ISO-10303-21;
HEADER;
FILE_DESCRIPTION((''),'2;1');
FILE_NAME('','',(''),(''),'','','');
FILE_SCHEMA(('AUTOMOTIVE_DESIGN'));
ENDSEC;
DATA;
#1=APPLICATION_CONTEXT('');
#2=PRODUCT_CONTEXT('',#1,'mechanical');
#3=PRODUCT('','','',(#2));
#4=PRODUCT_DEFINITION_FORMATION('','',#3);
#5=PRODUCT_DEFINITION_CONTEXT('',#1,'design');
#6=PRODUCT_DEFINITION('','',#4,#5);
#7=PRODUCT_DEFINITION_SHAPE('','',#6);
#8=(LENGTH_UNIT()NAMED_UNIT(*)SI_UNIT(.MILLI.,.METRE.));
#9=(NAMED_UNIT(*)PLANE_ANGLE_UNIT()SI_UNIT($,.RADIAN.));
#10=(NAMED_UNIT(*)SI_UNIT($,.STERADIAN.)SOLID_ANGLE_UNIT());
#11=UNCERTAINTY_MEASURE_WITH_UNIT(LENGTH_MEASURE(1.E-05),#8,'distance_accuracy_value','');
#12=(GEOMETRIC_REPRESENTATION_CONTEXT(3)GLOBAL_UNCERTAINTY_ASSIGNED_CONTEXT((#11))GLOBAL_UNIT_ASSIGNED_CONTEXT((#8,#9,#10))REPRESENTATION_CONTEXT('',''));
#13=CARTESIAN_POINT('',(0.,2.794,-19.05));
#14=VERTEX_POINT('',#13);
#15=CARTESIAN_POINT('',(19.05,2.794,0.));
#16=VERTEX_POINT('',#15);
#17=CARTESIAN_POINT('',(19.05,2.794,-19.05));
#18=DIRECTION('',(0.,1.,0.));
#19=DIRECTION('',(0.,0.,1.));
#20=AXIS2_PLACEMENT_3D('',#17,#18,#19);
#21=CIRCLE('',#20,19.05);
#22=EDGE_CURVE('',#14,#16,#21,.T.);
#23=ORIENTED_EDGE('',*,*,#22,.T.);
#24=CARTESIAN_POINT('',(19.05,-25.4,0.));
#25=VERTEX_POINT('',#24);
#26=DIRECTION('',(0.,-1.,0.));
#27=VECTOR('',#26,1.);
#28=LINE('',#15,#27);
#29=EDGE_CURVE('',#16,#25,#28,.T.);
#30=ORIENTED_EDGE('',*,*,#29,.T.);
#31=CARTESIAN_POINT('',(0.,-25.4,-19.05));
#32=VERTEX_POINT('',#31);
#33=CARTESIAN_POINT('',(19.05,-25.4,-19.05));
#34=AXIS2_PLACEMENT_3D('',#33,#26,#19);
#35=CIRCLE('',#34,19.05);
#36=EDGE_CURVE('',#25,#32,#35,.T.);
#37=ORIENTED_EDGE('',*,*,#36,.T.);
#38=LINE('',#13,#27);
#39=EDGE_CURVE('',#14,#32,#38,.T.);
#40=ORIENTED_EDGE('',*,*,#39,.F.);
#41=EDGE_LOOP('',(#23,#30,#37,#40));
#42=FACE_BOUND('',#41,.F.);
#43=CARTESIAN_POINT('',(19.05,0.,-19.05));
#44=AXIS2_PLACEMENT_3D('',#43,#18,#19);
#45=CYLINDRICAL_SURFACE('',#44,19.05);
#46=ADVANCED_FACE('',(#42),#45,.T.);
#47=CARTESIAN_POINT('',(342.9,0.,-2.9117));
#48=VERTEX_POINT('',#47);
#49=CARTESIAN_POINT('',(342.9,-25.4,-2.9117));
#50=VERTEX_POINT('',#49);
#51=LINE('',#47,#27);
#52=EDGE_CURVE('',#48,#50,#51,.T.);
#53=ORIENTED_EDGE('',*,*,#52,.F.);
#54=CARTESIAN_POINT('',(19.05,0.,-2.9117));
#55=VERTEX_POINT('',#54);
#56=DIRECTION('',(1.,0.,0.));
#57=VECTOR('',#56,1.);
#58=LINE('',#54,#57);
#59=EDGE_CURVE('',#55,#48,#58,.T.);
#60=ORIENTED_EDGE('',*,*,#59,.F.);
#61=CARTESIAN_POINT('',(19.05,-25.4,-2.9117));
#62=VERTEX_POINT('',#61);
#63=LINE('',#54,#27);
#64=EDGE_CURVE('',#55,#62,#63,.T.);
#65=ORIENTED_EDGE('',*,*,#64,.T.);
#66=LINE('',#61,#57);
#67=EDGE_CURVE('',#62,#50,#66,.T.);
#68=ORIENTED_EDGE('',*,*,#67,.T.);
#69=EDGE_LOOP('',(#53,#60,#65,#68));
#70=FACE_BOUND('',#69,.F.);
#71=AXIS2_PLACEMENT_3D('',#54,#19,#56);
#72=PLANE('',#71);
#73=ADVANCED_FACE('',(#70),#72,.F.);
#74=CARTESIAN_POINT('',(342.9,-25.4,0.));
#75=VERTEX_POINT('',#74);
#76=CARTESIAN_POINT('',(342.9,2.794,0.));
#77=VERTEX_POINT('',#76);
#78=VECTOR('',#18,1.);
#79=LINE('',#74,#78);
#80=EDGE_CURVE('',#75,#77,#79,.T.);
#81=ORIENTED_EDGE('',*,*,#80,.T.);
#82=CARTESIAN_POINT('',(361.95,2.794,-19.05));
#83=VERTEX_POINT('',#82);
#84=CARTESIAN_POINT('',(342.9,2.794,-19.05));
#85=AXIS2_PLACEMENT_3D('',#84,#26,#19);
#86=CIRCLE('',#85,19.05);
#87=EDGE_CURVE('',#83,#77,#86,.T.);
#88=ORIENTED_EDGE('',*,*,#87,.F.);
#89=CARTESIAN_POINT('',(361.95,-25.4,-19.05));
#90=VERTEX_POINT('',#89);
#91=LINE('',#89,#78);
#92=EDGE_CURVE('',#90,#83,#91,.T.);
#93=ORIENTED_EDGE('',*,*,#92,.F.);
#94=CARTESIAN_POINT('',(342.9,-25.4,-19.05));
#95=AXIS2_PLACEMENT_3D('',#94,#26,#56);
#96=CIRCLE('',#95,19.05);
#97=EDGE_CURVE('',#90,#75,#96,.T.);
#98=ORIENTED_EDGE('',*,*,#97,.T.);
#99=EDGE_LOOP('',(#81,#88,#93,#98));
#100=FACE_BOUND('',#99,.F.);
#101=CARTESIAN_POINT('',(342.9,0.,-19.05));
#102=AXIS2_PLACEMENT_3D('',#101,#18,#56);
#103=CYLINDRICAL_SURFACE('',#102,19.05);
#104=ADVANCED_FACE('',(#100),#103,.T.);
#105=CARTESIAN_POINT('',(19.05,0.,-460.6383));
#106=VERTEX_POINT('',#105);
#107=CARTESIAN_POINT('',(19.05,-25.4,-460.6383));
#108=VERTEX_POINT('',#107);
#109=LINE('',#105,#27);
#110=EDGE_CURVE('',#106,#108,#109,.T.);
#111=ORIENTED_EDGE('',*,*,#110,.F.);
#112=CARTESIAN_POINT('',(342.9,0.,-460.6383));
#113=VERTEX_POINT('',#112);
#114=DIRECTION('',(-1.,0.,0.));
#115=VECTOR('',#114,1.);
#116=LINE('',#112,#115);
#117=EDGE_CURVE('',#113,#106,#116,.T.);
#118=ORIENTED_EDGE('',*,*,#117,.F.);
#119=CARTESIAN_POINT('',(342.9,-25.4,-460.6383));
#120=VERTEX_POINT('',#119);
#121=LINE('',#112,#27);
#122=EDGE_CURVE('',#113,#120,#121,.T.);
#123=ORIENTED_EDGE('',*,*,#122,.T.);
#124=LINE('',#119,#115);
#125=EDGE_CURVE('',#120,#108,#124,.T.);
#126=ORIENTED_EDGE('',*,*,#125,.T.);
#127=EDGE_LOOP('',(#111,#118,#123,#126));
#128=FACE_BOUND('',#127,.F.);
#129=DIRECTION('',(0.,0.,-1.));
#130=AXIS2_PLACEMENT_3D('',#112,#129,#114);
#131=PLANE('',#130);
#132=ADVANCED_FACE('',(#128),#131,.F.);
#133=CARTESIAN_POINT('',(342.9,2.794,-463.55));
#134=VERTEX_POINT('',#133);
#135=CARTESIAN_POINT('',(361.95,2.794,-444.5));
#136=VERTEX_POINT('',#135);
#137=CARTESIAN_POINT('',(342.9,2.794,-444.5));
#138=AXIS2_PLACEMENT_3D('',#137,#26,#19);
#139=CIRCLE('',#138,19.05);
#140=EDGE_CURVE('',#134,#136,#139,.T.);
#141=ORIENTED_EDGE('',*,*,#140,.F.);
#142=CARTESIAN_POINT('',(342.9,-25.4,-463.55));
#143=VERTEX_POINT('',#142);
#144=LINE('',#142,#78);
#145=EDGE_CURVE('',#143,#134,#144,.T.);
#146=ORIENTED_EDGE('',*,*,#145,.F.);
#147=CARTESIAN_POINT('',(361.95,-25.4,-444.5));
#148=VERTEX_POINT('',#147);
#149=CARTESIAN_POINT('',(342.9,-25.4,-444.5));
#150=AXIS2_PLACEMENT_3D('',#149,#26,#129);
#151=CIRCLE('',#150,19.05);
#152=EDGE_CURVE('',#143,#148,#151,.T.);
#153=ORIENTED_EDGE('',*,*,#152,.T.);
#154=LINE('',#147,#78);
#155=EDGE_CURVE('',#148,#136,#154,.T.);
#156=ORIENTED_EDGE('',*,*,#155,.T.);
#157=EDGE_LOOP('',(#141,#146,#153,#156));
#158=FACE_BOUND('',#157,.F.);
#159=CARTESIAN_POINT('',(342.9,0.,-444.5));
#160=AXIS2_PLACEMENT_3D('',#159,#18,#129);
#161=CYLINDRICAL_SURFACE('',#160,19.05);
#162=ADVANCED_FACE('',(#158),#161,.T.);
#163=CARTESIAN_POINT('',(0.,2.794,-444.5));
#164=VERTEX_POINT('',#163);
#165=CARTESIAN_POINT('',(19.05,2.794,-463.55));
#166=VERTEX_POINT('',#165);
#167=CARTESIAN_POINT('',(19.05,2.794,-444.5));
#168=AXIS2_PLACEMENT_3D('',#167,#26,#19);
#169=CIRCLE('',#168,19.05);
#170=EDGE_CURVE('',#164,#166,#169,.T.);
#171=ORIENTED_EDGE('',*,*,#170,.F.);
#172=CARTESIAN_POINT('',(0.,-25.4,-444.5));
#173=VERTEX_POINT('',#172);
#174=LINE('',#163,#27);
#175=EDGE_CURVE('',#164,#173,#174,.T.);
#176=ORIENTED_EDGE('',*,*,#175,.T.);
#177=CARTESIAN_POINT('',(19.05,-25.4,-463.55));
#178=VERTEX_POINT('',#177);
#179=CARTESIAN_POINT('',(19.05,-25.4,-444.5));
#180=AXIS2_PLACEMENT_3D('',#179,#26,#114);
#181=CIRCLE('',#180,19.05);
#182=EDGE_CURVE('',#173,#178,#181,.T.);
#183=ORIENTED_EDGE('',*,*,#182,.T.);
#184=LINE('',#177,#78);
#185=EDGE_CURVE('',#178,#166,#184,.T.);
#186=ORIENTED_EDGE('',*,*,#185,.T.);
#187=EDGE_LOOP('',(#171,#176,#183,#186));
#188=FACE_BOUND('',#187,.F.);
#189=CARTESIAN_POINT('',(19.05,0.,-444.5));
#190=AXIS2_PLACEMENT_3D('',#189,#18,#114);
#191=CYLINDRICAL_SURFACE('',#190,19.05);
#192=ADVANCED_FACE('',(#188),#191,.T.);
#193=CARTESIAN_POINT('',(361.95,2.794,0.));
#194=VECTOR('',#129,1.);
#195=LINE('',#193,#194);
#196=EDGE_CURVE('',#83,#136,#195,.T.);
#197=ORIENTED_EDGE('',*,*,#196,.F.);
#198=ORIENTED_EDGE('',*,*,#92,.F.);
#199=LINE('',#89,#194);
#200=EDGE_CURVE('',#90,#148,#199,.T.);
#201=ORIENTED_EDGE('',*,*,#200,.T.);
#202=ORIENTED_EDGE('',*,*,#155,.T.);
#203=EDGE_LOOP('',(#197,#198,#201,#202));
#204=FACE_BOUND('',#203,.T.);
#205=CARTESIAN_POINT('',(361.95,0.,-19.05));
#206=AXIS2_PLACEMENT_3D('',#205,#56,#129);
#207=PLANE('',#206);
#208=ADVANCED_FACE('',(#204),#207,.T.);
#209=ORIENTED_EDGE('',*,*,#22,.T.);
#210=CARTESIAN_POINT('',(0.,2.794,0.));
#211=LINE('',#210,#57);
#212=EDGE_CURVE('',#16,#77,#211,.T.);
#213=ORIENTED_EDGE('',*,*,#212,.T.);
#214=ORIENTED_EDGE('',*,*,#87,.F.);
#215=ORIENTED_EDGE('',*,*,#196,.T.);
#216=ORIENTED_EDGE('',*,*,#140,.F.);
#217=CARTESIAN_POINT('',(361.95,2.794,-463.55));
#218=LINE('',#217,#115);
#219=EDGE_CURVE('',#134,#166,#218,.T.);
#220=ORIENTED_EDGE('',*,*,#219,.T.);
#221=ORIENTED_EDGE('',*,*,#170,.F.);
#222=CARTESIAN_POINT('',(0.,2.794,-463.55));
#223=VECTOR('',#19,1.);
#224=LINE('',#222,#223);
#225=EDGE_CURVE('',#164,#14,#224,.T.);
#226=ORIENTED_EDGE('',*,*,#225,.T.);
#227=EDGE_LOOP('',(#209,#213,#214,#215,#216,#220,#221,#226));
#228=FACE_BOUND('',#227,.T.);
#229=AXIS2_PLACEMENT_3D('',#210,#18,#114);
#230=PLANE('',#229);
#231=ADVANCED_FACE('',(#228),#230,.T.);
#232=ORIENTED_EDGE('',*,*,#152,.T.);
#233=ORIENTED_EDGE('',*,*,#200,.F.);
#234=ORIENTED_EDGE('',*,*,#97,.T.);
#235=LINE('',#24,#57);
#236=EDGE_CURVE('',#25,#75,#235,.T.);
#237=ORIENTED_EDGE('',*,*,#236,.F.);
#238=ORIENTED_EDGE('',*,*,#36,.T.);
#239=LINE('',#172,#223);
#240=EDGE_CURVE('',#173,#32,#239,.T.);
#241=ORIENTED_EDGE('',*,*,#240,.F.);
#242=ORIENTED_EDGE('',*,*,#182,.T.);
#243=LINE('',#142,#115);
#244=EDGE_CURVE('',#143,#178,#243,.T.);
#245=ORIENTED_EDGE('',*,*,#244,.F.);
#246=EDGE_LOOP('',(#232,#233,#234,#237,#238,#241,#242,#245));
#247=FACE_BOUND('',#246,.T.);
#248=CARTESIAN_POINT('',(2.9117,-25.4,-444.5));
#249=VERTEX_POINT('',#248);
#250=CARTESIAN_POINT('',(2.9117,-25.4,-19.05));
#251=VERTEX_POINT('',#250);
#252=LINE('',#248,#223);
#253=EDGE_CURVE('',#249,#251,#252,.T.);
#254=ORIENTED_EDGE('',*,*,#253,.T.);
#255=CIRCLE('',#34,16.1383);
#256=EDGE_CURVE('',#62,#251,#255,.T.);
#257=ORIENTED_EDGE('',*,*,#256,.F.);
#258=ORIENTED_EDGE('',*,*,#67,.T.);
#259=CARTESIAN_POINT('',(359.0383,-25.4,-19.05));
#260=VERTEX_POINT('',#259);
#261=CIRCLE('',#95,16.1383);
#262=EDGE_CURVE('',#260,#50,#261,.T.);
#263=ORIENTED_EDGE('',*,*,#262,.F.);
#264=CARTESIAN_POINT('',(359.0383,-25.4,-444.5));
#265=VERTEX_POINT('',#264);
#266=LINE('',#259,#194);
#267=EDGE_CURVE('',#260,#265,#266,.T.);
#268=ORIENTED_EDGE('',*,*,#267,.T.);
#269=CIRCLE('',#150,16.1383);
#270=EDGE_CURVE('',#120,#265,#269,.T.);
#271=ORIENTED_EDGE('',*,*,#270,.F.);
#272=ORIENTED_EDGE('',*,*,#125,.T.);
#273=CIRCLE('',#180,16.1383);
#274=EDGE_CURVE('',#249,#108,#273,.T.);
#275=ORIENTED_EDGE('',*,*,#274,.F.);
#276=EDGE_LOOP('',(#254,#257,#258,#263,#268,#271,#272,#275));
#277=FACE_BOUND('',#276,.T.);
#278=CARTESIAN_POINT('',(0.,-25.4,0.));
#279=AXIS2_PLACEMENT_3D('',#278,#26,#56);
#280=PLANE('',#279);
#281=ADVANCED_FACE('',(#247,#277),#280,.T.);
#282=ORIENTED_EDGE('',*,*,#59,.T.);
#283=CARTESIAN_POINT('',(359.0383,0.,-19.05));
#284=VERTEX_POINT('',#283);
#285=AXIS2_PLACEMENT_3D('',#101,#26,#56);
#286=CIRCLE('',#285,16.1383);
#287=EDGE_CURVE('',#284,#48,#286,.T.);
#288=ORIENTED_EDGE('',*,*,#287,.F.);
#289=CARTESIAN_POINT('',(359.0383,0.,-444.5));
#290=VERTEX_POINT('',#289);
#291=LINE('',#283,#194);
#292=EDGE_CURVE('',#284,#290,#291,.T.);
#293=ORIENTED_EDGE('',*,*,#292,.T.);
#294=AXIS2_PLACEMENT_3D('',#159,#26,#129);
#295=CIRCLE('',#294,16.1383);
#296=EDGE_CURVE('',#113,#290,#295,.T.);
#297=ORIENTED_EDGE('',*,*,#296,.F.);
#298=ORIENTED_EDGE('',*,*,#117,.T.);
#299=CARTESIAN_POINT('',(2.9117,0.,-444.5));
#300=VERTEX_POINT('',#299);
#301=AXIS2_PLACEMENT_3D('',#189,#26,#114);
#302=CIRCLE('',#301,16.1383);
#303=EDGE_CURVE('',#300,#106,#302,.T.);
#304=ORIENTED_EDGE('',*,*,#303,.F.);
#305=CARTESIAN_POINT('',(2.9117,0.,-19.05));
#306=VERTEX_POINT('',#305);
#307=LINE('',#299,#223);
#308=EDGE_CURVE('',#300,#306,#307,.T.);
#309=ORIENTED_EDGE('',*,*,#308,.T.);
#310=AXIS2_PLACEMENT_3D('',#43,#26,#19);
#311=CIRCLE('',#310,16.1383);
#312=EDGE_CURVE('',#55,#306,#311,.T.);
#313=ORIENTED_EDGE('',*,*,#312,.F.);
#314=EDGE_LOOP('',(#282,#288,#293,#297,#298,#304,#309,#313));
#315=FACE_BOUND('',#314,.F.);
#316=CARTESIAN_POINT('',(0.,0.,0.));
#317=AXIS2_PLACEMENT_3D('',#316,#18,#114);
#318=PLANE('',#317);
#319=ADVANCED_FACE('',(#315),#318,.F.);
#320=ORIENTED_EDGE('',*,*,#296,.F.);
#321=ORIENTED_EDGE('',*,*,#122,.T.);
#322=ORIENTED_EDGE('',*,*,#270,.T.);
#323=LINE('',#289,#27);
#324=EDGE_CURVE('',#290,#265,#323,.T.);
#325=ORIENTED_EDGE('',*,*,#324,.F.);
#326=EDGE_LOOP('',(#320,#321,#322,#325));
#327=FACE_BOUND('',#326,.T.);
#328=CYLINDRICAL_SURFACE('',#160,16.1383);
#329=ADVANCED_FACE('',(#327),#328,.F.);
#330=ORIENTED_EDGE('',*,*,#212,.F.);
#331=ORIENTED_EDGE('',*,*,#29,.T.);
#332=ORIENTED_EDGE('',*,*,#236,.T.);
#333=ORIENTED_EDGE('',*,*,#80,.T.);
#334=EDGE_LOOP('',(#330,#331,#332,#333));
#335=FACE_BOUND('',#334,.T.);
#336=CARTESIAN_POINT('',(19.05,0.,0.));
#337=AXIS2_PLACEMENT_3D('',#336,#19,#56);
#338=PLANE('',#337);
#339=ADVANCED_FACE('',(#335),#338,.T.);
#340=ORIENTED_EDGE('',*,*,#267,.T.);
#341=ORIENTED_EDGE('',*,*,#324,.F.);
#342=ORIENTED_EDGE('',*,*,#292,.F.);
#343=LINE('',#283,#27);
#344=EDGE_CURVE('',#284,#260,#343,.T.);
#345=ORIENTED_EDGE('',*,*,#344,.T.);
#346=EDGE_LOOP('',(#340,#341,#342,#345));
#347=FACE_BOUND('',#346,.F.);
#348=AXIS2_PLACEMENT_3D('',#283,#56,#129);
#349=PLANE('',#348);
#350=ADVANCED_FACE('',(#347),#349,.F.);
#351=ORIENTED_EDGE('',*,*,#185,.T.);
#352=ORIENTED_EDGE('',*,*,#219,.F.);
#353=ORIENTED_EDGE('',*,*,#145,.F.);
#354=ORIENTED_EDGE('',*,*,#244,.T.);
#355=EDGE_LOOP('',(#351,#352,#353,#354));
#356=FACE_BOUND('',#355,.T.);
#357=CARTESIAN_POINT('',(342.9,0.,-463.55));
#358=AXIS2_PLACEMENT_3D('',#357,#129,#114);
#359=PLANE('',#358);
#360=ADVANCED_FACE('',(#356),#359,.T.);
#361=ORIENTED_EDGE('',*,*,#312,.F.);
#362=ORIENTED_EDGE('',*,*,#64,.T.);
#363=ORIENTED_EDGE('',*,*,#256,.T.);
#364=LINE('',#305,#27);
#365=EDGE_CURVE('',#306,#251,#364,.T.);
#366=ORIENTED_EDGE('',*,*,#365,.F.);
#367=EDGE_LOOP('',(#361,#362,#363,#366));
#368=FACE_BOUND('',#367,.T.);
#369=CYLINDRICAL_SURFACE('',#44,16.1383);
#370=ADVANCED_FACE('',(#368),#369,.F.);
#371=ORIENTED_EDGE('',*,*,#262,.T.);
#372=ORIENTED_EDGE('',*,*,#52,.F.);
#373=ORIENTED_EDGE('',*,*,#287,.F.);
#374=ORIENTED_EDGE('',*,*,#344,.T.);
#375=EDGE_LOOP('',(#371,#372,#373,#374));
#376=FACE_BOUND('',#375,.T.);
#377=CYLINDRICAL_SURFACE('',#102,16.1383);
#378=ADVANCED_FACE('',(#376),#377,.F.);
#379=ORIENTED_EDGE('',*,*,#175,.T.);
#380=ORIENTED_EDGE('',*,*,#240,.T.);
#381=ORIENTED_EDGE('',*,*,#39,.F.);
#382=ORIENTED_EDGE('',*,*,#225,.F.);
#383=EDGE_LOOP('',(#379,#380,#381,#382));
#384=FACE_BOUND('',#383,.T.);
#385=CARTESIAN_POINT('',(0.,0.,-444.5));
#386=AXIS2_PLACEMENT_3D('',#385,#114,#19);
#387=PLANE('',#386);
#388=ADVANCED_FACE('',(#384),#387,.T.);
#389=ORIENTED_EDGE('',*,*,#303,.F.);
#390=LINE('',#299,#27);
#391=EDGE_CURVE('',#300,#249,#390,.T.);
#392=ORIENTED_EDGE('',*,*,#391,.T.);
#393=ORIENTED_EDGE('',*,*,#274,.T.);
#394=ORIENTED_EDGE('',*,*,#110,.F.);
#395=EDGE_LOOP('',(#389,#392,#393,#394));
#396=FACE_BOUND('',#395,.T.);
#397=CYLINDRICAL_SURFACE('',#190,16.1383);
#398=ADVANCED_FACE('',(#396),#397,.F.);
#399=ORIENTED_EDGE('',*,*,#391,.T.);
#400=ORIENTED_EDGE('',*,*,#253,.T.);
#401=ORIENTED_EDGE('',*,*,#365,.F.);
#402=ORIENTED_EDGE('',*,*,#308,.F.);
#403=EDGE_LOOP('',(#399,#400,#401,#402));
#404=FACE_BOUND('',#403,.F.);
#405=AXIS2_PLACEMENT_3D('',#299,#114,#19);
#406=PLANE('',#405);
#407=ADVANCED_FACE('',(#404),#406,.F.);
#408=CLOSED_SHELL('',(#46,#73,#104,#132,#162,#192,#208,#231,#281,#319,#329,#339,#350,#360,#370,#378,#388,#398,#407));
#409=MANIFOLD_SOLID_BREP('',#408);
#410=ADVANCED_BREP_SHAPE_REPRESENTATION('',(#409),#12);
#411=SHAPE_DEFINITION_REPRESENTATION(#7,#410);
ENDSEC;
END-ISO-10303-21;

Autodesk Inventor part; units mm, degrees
ref_plane "YZ Plane" through (0, 0, 0) normal (1, 0, 0) x (0, 1, 0)
ref_plane "XZ Plane" through (0, 0, 0) normal (0, 1, 0) x (-1, 0, 0)
ref_plane "XY Plane" through (0, 0, 0) normal (0, 0, 1) x (1, 0, 0)
sketch "Sketch1" plane through (0, 0, 0) normal (0, 1, 0) x (-1, 0, 0)
  line L0 (0, 0) -> (-361.95, 0)
  line L1 (-361.95, 0) -> (-361.95, -463.55)
  line L2 (-361.95, -463.55) -> (0, -463.55)
  line L3 (0, -463.55) -> (0, 0)
  dimension "d0" = 361.95
  dimension "d1" = 463.55
extrude "Extrusion1" add sketch "Sketch1" along normal blind 2.794
fillet "Fillet1" radius 19.05 4 edges at (361.95, 1.397, 0) (361.95, 1.397, -463.55) (0, 1.397, -463.55) (0, 1.397, 0)
sketch "Sketch4" plane through (0, 0, 0) normal (0, -1, 0) x (1, 0, 0)
  point P0 (0, 0)
sketch "Sketch5" plane through (0, 0, 0) normal (0, -1, 0) x (1, 0, 0)
  arc A0 (19.05, 0) -> (0, -19.05) centre (19.05, -19.05) ccw projected
  line L0 (19.05, 0) -> (342.9, 0) projected
  line L1 (0, -444.5) -> (0, -19.05) projected
  line L2 (361.95, -19.05) -> (361.95, -444.5) projected
  arc A1 (361.95, -19.05) -> (342.9, 0) centre (342.9, -19.05) ccw projected
  arc A2 (0, -444.5) -> (19.05, -463.55) centre (19.05, -444.5) ccw projected
  line L3 (342.9, -463.55) -> (19.05, -463.55) projected
  arc A3 (342.9, -463.55) -> (361.95, -444.5) centre (342.9, -444.5) ccw projected
  arc A4 (2.9117, -444.5) -> (19.05, -460.6383) centre (19.05, -444.5) ccw
  line L4 (2.9117, -444.5) -> (2.9117, -19.05)
  arc A5 (19.05, -2.9117) -> (2.9117, -19.05) centre (19.05, -19.05) ccw
  line L5 (19.05, -2.9117) -> (342.9, -2.9117)
  arc A6 (359.0383, -19.05) -> (342.9, -2.9117) centre (342.9, -19.05) ccw
  line L6 (359.0383, -19.05) -> (359.0383, -444.5)
  arc A7 (342.9, -460.6383) -> (359.0383, -444.5) centre (342.9, -444.5) ccw
  line L7 (342.9, -460.6383) -> (19.05, -460.6383)
  point P0 (0, 0)
extrude "Extrusion2" add sketch "Sketch5" along normal blind 25.4
properties part number "Cart_LOW_SHELF"
